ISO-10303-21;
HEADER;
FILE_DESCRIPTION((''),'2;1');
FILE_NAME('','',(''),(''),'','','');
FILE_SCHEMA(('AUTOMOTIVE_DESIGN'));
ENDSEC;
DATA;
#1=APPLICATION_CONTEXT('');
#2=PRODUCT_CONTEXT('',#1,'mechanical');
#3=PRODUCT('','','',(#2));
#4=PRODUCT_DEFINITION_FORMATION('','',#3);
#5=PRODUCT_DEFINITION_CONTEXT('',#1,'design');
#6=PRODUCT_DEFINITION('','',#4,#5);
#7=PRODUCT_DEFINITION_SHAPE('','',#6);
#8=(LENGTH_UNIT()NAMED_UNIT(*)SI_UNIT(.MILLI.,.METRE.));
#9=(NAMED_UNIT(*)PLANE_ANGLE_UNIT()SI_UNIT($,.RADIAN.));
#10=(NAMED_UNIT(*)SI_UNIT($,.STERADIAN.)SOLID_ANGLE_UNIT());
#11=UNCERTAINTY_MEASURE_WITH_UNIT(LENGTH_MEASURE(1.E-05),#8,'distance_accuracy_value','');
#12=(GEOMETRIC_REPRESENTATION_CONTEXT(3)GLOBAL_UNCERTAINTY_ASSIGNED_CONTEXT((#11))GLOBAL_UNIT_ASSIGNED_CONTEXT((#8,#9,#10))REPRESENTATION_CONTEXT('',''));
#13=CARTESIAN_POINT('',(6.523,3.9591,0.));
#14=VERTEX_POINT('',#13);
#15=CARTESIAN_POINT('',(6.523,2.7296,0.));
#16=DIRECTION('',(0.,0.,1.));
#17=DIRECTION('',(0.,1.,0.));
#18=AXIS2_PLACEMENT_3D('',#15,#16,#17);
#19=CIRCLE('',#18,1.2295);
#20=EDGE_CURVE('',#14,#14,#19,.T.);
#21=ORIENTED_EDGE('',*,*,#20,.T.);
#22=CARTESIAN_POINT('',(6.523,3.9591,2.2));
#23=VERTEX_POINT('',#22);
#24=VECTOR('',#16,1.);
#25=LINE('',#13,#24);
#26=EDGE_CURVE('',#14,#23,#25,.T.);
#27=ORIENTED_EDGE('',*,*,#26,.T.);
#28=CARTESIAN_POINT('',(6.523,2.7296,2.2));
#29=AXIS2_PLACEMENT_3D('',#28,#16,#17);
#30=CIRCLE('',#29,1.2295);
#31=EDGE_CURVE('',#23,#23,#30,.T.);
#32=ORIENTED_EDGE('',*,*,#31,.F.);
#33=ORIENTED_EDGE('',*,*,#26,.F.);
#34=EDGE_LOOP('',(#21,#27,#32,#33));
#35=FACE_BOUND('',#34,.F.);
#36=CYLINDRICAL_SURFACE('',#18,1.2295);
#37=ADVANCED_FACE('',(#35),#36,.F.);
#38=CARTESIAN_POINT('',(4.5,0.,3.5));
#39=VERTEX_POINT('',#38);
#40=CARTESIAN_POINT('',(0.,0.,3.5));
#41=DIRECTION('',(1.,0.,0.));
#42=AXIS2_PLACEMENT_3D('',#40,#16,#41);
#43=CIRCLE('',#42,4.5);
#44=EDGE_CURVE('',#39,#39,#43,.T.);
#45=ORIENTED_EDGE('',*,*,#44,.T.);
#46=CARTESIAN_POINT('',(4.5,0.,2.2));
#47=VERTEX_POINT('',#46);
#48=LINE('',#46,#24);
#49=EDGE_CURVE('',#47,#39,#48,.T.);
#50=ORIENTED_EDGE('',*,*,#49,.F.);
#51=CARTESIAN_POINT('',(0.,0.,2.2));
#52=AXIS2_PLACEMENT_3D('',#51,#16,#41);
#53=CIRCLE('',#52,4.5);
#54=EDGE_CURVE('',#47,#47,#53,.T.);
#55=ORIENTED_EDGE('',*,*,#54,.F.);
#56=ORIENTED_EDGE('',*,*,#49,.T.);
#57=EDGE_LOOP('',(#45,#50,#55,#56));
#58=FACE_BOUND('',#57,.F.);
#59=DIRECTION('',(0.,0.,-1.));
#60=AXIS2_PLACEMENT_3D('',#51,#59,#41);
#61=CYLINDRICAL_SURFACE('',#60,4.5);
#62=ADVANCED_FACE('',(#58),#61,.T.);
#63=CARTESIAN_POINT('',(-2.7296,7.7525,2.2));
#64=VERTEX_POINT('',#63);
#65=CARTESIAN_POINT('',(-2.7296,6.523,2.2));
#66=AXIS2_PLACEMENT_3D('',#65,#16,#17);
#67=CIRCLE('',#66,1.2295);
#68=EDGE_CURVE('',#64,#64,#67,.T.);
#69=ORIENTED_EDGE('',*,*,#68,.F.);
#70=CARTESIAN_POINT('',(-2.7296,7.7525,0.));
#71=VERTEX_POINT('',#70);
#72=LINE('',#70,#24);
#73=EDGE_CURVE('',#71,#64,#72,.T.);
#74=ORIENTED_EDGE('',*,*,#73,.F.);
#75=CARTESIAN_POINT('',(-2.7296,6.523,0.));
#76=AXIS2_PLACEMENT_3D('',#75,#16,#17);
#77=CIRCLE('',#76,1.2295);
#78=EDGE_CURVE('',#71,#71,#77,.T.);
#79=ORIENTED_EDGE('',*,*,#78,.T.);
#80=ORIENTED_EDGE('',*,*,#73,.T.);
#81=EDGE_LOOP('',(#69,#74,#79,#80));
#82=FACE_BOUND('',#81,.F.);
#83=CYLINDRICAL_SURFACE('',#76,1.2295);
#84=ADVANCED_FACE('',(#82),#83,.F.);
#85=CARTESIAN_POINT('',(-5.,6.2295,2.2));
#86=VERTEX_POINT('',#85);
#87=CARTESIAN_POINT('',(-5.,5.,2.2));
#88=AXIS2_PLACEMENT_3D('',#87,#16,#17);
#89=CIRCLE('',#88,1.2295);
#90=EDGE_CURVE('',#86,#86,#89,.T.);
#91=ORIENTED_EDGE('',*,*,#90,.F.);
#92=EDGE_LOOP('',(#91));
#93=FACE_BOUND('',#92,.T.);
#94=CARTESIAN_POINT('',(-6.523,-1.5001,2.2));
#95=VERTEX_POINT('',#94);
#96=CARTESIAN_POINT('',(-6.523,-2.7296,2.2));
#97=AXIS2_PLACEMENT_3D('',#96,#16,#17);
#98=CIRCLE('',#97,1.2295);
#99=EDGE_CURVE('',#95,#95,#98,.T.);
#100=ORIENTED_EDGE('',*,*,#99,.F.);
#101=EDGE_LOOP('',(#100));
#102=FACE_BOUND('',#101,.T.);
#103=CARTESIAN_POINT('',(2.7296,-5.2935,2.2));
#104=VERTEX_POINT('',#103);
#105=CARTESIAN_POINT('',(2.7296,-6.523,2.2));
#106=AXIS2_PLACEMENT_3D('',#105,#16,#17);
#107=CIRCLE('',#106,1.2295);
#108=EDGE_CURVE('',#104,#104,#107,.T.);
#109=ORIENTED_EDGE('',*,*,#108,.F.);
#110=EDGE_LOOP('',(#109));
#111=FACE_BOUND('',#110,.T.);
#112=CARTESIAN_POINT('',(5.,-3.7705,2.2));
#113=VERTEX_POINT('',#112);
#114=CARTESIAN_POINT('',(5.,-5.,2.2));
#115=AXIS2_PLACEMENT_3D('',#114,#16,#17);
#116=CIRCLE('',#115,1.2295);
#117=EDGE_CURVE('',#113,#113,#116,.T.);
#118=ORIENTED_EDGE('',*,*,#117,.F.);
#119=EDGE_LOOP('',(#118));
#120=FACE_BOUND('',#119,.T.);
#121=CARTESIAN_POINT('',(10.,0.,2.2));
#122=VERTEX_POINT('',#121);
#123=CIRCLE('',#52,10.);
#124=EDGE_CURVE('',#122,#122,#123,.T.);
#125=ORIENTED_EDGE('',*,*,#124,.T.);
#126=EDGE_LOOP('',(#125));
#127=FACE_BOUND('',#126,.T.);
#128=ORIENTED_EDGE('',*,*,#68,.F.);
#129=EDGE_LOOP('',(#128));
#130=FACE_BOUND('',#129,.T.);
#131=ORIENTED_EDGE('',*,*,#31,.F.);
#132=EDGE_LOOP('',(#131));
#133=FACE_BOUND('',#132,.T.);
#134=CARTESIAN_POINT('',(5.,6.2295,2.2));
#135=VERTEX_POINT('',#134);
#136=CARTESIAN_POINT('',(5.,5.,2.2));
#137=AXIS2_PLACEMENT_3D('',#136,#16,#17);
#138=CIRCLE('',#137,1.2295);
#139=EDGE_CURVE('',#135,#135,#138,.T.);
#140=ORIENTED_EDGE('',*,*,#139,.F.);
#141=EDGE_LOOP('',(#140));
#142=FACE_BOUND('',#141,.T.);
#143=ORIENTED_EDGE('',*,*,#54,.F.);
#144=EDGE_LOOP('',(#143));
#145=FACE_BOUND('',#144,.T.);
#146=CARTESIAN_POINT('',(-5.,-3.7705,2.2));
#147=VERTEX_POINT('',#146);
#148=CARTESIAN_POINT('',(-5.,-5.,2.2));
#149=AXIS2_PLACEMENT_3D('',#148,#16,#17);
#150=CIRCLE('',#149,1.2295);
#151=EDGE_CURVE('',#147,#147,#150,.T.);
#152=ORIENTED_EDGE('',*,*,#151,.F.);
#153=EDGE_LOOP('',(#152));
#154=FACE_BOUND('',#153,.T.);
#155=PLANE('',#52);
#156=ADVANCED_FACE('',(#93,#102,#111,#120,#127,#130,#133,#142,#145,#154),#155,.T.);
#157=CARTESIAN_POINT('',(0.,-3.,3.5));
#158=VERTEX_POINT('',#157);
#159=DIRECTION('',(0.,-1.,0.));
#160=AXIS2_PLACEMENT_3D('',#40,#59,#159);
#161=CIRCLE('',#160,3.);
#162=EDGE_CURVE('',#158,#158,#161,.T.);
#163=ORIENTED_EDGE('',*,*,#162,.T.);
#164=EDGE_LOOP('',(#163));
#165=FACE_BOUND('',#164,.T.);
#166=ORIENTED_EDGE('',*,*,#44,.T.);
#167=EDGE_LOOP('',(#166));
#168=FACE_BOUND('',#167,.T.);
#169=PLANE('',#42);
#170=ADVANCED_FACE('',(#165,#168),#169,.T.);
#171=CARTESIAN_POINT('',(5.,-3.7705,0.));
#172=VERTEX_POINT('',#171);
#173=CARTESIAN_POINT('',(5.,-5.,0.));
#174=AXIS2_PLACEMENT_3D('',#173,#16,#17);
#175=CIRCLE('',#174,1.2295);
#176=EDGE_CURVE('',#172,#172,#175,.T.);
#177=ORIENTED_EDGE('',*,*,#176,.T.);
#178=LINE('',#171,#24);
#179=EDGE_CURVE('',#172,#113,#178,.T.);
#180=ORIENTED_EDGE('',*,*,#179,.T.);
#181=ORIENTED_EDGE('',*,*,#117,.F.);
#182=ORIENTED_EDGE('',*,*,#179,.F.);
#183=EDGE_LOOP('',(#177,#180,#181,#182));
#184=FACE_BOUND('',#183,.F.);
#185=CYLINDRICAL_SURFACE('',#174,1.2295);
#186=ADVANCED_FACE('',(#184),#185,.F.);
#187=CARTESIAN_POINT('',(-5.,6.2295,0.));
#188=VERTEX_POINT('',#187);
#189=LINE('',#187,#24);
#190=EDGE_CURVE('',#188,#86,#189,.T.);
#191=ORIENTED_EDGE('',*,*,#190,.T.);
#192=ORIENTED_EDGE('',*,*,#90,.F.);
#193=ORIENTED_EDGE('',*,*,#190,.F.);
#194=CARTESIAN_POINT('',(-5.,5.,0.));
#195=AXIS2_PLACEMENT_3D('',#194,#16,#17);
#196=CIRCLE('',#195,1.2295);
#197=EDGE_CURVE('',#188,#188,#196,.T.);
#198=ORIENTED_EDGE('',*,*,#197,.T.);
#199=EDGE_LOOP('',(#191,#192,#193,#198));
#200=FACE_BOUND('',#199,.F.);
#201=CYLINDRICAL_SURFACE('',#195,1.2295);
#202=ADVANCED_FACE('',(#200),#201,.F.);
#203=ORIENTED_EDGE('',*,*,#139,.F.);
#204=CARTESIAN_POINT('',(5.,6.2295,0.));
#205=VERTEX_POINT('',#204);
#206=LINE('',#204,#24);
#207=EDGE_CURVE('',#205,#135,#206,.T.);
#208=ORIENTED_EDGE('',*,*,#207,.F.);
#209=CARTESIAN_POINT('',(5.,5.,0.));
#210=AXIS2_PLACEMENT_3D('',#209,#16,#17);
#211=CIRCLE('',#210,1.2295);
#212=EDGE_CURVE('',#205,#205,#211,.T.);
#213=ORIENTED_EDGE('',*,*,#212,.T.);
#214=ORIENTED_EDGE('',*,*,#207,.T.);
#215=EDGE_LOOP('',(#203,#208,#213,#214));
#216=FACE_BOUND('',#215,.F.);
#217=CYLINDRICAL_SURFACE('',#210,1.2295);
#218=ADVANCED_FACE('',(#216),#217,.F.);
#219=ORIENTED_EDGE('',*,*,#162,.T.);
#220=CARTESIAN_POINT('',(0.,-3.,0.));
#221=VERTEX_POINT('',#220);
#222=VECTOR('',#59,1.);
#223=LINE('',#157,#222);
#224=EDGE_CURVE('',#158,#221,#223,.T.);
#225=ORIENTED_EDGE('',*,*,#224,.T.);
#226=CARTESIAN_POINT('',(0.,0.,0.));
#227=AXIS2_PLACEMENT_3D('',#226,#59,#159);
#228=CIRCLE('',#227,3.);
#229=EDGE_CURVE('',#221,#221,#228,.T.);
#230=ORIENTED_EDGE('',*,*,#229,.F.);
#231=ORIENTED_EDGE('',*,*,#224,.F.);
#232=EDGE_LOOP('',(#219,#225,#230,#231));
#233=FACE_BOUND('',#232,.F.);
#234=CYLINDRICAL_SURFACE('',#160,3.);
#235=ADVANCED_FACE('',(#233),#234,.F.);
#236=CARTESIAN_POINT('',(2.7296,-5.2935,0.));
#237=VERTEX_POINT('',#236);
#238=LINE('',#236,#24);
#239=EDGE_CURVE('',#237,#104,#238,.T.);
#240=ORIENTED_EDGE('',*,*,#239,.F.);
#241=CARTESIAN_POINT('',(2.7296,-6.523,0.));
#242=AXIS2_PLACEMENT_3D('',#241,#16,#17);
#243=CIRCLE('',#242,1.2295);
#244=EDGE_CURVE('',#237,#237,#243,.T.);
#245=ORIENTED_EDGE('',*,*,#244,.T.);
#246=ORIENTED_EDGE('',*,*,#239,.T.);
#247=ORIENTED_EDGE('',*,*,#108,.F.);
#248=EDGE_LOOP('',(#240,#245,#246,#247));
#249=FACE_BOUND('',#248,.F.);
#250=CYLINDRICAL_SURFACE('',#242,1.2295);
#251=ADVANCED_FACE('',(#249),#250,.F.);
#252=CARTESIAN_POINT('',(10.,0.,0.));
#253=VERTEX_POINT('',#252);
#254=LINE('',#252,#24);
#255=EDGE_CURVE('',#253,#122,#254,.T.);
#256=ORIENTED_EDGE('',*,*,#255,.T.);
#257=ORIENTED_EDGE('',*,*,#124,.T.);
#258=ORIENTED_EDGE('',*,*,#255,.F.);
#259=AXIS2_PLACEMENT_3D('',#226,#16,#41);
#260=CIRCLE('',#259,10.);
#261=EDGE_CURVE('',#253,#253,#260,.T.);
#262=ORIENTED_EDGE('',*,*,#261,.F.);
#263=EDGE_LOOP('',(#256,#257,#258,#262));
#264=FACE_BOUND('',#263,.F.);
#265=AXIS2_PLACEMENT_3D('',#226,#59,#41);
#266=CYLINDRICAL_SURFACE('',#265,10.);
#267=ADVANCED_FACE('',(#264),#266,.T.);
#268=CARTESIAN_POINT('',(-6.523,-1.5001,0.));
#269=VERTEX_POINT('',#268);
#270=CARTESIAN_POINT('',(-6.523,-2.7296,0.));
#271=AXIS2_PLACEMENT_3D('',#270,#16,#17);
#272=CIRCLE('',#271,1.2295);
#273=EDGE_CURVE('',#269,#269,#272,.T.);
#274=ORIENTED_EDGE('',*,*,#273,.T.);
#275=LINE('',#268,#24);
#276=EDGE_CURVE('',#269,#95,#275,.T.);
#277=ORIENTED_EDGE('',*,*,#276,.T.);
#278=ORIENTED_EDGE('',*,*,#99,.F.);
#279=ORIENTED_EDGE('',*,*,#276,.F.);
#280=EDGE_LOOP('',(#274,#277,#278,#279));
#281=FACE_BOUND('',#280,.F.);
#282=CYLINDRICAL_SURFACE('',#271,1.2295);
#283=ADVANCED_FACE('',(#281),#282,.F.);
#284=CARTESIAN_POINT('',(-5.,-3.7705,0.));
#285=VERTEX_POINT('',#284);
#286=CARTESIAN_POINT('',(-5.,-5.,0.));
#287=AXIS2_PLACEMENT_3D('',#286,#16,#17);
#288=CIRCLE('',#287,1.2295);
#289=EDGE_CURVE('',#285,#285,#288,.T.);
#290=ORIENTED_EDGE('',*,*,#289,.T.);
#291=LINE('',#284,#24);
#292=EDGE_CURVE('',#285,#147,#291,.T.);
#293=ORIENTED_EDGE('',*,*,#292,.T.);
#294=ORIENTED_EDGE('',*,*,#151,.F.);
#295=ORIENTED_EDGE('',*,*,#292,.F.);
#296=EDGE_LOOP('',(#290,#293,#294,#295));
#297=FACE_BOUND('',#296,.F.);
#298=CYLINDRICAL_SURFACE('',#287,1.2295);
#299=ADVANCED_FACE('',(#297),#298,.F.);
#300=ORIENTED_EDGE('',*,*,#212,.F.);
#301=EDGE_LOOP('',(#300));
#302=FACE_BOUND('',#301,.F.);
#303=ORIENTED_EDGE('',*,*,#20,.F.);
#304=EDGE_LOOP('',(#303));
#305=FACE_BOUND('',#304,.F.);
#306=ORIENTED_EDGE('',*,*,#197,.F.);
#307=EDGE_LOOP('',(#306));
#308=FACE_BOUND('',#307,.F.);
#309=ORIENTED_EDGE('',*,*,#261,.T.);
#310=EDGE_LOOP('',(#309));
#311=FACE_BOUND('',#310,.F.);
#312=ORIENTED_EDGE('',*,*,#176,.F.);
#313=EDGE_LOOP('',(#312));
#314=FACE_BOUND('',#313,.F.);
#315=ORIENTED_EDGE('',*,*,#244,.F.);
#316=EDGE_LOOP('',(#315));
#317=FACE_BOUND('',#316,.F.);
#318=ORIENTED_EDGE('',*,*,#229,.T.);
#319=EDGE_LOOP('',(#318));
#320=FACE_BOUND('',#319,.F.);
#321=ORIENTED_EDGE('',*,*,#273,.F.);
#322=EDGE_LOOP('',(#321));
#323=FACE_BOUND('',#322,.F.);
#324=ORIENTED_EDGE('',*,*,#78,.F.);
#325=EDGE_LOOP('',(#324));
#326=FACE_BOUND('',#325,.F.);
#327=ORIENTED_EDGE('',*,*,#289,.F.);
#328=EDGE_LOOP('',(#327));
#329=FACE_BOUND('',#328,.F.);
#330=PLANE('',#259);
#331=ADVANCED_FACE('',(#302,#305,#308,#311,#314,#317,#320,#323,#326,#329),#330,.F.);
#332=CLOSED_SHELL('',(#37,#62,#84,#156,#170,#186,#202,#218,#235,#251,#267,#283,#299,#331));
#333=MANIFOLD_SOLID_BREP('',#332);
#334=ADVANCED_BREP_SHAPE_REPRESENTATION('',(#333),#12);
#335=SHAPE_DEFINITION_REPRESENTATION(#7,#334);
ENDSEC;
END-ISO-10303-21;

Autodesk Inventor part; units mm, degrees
ref_plane "YZ Plane" through (0, 0, 0) normal (1, 0, 0) x (0, 1, 0)
ref_plane "XZ Plane" through (0, 0, 0) normal (0, 1, 0) x (-1, 0, 0)
ref_plane "XY Plane" through (0, 0, 0) normal (0, 0, 1) x (1, 0, 0)
sketch "スケッチ1" plane through (0, 0, 0) normal (0, 0, 1) x (1, 0, 0)
  circle A0 centre (0, 0) radius 10
  dimension "d0" = 20
extrude "押し出し1" add sketch "スケッチ1" along normal blind 2.2
sketch "スケッチ2" plane through (0, 0, 2.2) normal (0, 0, 1) x (1, 0, 0)
  circle A0 centre (0, 0) radius 4.5
  dimension "d3" = 9
extrude "押し出し2" add sketch "スケッチ2" along normal blind 1.3
sketch "スケッチ3" plane through (0, 0, 0) normal (0, 0, -1) x (-1, 0, 0)
  circle A0 centre (0, 0) radius 10 projected
  line L0 (0, 10) -> (0, -10)
  line L1 (-10, 0) -> (10, 0)
  point P0 (-5, 5)
  point P1 (5, 5)
  point P2 (5, -5)
  point P3 (-5, -5)
  dimension "d6" = 10
  dimension "d7" = 10
hole "穴1" at (5, 5, 0) at (-5, 5, 0) at (-5, -5, 0) at (5, -5, 0) direction (0, 0, 1) diameter 2.459 end through all thread size "M3x0.5" class "6H" standard "ISO Metric profile"
sketch "スケッチ4" plane through (0, 0, 3.5) normal (0, 0, -1) x (-1, 0, 0)
  point P0 (0, 0)
  point P1 (0, 0)
hole "穴2" at (0, 0, 3.5) direction (0, 0, -1) diameter 6 end through all
sketch "スケッチ5" plane through (0, 0, 0) normal (0, 0, -1) x (-1, 0, 0)
  point P0 (-2.7296, -6.523)
  point P1 (2.7296, 6.523)
  point P2 (-6.523, 2.7296)
  point P3 (6.523, -2.7296)
hole "穴3" at (2.7296, -6.523, 0) at (-2.7296, 6.523, 0) at (6.523, 2.7296, 0) at (-6.523, -2.7296, 0) direction (0, 0, 1) diameter 2.459 depth 7 tip angle 120 thread size "M3x0.5" class "6H" standard "ISO Metric profile"
properties part number "サーボモータ25kgcmサーボホーン1" material "アルミニウム 6061"
